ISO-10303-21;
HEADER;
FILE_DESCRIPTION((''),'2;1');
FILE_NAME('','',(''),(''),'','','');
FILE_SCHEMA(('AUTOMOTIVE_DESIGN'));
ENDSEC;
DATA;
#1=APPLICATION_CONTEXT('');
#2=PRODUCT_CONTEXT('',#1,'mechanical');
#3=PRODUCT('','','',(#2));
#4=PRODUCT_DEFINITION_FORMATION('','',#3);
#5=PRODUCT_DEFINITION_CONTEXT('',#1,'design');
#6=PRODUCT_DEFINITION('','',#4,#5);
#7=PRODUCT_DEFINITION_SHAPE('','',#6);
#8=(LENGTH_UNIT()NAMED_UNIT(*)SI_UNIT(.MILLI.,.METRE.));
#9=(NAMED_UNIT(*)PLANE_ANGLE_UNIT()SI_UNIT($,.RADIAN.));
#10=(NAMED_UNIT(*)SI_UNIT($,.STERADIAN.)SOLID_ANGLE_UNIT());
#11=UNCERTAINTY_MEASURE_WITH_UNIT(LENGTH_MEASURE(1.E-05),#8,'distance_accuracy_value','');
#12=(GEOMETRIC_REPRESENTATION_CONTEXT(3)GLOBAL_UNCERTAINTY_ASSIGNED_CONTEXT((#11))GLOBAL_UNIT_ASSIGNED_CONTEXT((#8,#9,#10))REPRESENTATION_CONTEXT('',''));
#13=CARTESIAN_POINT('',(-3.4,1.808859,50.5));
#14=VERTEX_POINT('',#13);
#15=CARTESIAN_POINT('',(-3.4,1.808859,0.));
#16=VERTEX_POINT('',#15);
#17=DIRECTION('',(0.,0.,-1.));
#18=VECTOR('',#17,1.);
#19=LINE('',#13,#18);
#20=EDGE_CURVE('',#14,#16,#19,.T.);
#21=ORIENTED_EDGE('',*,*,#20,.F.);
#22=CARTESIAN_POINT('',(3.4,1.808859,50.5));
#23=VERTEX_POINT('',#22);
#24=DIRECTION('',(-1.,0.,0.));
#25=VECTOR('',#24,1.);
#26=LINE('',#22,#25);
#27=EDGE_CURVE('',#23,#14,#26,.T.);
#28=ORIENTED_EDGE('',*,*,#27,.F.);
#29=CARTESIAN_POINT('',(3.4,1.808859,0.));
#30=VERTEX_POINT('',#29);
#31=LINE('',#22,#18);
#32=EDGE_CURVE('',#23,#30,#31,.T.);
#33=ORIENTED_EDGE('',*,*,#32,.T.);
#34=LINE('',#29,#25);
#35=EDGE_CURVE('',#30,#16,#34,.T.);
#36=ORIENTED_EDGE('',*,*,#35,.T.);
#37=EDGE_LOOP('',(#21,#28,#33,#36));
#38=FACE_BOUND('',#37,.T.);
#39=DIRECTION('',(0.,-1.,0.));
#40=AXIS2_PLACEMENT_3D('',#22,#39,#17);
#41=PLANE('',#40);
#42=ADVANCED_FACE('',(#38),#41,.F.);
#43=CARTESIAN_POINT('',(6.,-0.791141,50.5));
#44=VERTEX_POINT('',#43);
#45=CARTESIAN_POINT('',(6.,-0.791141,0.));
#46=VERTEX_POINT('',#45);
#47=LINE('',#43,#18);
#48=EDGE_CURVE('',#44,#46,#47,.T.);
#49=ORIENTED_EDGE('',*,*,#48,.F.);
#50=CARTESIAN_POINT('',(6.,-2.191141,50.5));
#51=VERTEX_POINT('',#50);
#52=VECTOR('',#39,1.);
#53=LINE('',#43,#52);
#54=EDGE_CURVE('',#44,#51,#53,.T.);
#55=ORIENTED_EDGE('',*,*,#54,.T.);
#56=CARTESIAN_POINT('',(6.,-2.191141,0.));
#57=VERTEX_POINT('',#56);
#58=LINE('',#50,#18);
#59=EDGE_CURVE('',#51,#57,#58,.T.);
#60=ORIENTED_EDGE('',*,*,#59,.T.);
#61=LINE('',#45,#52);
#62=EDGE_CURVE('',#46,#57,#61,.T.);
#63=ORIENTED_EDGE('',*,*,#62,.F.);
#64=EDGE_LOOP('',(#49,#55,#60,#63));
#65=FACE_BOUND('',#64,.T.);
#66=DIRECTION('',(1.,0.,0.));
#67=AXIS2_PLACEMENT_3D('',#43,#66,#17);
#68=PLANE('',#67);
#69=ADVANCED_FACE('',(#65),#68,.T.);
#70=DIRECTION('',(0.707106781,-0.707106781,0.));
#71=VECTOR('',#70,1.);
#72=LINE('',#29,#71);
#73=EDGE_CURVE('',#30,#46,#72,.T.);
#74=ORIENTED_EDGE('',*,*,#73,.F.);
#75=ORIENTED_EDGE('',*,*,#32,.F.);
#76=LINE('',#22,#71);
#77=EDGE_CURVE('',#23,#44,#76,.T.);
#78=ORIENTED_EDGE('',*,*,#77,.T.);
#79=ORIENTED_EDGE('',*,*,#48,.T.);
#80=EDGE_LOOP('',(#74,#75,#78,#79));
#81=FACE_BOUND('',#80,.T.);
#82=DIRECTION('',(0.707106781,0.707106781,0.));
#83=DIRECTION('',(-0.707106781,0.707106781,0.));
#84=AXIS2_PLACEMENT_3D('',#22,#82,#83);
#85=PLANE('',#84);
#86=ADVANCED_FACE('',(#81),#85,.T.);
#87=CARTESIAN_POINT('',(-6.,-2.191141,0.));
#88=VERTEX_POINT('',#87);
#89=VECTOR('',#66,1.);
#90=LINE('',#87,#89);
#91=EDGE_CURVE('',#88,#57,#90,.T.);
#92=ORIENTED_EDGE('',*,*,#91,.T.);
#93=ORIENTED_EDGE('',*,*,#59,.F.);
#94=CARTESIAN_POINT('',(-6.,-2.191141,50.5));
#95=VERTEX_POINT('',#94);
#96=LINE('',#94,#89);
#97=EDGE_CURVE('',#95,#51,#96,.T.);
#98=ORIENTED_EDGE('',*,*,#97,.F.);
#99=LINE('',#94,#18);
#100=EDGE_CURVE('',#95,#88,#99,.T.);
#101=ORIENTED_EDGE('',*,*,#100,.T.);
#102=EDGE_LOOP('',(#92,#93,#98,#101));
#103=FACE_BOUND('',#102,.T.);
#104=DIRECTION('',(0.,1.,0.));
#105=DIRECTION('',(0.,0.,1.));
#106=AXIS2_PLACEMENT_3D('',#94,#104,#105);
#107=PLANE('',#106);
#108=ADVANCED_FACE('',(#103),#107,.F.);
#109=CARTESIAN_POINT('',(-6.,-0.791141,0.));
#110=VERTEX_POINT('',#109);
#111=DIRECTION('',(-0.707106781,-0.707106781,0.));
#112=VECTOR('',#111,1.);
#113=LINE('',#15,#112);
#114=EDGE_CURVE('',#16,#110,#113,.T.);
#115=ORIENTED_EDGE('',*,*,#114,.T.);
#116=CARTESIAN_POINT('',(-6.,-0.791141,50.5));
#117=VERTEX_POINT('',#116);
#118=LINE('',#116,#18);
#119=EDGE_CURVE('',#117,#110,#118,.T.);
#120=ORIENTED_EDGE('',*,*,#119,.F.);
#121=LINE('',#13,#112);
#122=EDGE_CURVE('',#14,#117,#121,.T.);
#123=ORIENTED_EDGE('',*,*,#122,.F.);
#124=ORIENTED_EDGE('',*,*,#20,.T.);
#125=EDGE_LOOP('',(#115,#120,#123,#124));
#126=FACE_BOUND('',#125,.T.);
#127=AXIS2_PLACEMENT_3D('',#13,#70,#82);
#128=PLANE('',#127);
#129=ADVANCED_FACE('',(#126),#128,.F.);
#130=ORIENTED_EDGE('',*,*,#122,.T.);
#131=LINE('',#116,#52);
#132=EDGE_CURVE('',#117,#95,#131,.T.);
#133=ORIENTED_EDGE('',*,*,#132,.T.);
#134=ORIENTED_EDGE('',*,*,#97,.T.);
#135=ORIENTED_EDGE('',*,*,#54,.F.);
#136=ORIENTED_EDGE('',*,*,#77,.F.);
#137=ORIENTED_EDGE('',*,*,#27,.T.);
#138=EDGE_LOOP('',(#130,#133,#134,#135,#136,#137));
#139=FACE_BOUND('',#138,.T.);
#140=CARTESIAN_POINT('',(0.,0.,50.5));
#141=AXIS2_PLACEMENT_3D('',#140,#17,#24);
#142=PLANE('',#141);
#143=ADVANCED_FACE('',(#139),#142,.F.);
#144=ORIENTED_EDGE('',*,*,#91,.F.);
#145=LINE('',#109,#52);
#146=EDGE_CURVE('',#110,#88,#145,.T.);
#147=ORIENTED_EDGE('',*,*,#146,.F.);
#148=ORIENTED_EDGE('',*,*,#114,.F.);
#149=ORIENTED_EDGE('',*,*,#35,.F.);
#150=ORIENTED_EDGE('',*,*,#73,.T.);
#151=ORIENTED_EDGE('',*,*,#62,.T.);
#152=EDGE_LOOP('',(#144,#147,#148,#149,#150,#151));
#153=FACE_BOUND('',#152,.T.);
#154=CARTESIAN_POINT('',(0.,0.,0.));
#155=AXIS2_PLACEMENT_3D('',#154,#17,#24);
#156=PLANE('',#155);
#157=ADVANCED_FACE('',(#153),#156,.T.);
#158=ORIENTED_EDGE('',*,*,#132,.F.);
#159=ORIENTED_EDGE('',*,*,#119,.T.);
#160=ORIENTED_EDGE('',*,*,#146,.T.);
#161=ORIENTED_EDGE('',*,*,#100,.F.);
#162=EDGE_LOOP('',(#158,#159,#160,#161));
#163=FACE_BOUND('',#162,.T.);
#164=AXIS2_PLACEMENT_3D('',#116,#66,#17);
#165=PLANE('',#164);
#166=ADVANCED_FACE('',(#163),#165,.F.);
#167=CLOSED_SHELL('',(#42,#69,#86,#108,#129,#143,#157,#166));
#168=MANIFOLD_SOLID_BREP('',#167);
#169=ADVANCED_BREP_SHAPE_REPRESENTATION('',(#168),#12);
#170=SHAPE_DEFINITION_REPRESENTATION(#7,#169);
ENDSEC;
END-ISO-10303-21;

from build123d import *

# Parameters (mm, degrees)
AUFSATZ_LINEAR_AUSTRAGEN1_DEPTH = 50.5


with BuildPart() as part:
    # Skizze1 → Aufsatz-Linear austragen1 (new body)
    with BuildSketch(Plane.XY):
        Polygon((3.4, 1.808858787), (-3.4, 1.808858787), (-6, -0.791141213), (-6, -2.191141213), (6, -2.191141213), (6, -0.791141213), align=None)
    extrude(amount=AUFSATZ_LINEAR_AUSTRAGEN1_DEPTH)


solid = part.part
